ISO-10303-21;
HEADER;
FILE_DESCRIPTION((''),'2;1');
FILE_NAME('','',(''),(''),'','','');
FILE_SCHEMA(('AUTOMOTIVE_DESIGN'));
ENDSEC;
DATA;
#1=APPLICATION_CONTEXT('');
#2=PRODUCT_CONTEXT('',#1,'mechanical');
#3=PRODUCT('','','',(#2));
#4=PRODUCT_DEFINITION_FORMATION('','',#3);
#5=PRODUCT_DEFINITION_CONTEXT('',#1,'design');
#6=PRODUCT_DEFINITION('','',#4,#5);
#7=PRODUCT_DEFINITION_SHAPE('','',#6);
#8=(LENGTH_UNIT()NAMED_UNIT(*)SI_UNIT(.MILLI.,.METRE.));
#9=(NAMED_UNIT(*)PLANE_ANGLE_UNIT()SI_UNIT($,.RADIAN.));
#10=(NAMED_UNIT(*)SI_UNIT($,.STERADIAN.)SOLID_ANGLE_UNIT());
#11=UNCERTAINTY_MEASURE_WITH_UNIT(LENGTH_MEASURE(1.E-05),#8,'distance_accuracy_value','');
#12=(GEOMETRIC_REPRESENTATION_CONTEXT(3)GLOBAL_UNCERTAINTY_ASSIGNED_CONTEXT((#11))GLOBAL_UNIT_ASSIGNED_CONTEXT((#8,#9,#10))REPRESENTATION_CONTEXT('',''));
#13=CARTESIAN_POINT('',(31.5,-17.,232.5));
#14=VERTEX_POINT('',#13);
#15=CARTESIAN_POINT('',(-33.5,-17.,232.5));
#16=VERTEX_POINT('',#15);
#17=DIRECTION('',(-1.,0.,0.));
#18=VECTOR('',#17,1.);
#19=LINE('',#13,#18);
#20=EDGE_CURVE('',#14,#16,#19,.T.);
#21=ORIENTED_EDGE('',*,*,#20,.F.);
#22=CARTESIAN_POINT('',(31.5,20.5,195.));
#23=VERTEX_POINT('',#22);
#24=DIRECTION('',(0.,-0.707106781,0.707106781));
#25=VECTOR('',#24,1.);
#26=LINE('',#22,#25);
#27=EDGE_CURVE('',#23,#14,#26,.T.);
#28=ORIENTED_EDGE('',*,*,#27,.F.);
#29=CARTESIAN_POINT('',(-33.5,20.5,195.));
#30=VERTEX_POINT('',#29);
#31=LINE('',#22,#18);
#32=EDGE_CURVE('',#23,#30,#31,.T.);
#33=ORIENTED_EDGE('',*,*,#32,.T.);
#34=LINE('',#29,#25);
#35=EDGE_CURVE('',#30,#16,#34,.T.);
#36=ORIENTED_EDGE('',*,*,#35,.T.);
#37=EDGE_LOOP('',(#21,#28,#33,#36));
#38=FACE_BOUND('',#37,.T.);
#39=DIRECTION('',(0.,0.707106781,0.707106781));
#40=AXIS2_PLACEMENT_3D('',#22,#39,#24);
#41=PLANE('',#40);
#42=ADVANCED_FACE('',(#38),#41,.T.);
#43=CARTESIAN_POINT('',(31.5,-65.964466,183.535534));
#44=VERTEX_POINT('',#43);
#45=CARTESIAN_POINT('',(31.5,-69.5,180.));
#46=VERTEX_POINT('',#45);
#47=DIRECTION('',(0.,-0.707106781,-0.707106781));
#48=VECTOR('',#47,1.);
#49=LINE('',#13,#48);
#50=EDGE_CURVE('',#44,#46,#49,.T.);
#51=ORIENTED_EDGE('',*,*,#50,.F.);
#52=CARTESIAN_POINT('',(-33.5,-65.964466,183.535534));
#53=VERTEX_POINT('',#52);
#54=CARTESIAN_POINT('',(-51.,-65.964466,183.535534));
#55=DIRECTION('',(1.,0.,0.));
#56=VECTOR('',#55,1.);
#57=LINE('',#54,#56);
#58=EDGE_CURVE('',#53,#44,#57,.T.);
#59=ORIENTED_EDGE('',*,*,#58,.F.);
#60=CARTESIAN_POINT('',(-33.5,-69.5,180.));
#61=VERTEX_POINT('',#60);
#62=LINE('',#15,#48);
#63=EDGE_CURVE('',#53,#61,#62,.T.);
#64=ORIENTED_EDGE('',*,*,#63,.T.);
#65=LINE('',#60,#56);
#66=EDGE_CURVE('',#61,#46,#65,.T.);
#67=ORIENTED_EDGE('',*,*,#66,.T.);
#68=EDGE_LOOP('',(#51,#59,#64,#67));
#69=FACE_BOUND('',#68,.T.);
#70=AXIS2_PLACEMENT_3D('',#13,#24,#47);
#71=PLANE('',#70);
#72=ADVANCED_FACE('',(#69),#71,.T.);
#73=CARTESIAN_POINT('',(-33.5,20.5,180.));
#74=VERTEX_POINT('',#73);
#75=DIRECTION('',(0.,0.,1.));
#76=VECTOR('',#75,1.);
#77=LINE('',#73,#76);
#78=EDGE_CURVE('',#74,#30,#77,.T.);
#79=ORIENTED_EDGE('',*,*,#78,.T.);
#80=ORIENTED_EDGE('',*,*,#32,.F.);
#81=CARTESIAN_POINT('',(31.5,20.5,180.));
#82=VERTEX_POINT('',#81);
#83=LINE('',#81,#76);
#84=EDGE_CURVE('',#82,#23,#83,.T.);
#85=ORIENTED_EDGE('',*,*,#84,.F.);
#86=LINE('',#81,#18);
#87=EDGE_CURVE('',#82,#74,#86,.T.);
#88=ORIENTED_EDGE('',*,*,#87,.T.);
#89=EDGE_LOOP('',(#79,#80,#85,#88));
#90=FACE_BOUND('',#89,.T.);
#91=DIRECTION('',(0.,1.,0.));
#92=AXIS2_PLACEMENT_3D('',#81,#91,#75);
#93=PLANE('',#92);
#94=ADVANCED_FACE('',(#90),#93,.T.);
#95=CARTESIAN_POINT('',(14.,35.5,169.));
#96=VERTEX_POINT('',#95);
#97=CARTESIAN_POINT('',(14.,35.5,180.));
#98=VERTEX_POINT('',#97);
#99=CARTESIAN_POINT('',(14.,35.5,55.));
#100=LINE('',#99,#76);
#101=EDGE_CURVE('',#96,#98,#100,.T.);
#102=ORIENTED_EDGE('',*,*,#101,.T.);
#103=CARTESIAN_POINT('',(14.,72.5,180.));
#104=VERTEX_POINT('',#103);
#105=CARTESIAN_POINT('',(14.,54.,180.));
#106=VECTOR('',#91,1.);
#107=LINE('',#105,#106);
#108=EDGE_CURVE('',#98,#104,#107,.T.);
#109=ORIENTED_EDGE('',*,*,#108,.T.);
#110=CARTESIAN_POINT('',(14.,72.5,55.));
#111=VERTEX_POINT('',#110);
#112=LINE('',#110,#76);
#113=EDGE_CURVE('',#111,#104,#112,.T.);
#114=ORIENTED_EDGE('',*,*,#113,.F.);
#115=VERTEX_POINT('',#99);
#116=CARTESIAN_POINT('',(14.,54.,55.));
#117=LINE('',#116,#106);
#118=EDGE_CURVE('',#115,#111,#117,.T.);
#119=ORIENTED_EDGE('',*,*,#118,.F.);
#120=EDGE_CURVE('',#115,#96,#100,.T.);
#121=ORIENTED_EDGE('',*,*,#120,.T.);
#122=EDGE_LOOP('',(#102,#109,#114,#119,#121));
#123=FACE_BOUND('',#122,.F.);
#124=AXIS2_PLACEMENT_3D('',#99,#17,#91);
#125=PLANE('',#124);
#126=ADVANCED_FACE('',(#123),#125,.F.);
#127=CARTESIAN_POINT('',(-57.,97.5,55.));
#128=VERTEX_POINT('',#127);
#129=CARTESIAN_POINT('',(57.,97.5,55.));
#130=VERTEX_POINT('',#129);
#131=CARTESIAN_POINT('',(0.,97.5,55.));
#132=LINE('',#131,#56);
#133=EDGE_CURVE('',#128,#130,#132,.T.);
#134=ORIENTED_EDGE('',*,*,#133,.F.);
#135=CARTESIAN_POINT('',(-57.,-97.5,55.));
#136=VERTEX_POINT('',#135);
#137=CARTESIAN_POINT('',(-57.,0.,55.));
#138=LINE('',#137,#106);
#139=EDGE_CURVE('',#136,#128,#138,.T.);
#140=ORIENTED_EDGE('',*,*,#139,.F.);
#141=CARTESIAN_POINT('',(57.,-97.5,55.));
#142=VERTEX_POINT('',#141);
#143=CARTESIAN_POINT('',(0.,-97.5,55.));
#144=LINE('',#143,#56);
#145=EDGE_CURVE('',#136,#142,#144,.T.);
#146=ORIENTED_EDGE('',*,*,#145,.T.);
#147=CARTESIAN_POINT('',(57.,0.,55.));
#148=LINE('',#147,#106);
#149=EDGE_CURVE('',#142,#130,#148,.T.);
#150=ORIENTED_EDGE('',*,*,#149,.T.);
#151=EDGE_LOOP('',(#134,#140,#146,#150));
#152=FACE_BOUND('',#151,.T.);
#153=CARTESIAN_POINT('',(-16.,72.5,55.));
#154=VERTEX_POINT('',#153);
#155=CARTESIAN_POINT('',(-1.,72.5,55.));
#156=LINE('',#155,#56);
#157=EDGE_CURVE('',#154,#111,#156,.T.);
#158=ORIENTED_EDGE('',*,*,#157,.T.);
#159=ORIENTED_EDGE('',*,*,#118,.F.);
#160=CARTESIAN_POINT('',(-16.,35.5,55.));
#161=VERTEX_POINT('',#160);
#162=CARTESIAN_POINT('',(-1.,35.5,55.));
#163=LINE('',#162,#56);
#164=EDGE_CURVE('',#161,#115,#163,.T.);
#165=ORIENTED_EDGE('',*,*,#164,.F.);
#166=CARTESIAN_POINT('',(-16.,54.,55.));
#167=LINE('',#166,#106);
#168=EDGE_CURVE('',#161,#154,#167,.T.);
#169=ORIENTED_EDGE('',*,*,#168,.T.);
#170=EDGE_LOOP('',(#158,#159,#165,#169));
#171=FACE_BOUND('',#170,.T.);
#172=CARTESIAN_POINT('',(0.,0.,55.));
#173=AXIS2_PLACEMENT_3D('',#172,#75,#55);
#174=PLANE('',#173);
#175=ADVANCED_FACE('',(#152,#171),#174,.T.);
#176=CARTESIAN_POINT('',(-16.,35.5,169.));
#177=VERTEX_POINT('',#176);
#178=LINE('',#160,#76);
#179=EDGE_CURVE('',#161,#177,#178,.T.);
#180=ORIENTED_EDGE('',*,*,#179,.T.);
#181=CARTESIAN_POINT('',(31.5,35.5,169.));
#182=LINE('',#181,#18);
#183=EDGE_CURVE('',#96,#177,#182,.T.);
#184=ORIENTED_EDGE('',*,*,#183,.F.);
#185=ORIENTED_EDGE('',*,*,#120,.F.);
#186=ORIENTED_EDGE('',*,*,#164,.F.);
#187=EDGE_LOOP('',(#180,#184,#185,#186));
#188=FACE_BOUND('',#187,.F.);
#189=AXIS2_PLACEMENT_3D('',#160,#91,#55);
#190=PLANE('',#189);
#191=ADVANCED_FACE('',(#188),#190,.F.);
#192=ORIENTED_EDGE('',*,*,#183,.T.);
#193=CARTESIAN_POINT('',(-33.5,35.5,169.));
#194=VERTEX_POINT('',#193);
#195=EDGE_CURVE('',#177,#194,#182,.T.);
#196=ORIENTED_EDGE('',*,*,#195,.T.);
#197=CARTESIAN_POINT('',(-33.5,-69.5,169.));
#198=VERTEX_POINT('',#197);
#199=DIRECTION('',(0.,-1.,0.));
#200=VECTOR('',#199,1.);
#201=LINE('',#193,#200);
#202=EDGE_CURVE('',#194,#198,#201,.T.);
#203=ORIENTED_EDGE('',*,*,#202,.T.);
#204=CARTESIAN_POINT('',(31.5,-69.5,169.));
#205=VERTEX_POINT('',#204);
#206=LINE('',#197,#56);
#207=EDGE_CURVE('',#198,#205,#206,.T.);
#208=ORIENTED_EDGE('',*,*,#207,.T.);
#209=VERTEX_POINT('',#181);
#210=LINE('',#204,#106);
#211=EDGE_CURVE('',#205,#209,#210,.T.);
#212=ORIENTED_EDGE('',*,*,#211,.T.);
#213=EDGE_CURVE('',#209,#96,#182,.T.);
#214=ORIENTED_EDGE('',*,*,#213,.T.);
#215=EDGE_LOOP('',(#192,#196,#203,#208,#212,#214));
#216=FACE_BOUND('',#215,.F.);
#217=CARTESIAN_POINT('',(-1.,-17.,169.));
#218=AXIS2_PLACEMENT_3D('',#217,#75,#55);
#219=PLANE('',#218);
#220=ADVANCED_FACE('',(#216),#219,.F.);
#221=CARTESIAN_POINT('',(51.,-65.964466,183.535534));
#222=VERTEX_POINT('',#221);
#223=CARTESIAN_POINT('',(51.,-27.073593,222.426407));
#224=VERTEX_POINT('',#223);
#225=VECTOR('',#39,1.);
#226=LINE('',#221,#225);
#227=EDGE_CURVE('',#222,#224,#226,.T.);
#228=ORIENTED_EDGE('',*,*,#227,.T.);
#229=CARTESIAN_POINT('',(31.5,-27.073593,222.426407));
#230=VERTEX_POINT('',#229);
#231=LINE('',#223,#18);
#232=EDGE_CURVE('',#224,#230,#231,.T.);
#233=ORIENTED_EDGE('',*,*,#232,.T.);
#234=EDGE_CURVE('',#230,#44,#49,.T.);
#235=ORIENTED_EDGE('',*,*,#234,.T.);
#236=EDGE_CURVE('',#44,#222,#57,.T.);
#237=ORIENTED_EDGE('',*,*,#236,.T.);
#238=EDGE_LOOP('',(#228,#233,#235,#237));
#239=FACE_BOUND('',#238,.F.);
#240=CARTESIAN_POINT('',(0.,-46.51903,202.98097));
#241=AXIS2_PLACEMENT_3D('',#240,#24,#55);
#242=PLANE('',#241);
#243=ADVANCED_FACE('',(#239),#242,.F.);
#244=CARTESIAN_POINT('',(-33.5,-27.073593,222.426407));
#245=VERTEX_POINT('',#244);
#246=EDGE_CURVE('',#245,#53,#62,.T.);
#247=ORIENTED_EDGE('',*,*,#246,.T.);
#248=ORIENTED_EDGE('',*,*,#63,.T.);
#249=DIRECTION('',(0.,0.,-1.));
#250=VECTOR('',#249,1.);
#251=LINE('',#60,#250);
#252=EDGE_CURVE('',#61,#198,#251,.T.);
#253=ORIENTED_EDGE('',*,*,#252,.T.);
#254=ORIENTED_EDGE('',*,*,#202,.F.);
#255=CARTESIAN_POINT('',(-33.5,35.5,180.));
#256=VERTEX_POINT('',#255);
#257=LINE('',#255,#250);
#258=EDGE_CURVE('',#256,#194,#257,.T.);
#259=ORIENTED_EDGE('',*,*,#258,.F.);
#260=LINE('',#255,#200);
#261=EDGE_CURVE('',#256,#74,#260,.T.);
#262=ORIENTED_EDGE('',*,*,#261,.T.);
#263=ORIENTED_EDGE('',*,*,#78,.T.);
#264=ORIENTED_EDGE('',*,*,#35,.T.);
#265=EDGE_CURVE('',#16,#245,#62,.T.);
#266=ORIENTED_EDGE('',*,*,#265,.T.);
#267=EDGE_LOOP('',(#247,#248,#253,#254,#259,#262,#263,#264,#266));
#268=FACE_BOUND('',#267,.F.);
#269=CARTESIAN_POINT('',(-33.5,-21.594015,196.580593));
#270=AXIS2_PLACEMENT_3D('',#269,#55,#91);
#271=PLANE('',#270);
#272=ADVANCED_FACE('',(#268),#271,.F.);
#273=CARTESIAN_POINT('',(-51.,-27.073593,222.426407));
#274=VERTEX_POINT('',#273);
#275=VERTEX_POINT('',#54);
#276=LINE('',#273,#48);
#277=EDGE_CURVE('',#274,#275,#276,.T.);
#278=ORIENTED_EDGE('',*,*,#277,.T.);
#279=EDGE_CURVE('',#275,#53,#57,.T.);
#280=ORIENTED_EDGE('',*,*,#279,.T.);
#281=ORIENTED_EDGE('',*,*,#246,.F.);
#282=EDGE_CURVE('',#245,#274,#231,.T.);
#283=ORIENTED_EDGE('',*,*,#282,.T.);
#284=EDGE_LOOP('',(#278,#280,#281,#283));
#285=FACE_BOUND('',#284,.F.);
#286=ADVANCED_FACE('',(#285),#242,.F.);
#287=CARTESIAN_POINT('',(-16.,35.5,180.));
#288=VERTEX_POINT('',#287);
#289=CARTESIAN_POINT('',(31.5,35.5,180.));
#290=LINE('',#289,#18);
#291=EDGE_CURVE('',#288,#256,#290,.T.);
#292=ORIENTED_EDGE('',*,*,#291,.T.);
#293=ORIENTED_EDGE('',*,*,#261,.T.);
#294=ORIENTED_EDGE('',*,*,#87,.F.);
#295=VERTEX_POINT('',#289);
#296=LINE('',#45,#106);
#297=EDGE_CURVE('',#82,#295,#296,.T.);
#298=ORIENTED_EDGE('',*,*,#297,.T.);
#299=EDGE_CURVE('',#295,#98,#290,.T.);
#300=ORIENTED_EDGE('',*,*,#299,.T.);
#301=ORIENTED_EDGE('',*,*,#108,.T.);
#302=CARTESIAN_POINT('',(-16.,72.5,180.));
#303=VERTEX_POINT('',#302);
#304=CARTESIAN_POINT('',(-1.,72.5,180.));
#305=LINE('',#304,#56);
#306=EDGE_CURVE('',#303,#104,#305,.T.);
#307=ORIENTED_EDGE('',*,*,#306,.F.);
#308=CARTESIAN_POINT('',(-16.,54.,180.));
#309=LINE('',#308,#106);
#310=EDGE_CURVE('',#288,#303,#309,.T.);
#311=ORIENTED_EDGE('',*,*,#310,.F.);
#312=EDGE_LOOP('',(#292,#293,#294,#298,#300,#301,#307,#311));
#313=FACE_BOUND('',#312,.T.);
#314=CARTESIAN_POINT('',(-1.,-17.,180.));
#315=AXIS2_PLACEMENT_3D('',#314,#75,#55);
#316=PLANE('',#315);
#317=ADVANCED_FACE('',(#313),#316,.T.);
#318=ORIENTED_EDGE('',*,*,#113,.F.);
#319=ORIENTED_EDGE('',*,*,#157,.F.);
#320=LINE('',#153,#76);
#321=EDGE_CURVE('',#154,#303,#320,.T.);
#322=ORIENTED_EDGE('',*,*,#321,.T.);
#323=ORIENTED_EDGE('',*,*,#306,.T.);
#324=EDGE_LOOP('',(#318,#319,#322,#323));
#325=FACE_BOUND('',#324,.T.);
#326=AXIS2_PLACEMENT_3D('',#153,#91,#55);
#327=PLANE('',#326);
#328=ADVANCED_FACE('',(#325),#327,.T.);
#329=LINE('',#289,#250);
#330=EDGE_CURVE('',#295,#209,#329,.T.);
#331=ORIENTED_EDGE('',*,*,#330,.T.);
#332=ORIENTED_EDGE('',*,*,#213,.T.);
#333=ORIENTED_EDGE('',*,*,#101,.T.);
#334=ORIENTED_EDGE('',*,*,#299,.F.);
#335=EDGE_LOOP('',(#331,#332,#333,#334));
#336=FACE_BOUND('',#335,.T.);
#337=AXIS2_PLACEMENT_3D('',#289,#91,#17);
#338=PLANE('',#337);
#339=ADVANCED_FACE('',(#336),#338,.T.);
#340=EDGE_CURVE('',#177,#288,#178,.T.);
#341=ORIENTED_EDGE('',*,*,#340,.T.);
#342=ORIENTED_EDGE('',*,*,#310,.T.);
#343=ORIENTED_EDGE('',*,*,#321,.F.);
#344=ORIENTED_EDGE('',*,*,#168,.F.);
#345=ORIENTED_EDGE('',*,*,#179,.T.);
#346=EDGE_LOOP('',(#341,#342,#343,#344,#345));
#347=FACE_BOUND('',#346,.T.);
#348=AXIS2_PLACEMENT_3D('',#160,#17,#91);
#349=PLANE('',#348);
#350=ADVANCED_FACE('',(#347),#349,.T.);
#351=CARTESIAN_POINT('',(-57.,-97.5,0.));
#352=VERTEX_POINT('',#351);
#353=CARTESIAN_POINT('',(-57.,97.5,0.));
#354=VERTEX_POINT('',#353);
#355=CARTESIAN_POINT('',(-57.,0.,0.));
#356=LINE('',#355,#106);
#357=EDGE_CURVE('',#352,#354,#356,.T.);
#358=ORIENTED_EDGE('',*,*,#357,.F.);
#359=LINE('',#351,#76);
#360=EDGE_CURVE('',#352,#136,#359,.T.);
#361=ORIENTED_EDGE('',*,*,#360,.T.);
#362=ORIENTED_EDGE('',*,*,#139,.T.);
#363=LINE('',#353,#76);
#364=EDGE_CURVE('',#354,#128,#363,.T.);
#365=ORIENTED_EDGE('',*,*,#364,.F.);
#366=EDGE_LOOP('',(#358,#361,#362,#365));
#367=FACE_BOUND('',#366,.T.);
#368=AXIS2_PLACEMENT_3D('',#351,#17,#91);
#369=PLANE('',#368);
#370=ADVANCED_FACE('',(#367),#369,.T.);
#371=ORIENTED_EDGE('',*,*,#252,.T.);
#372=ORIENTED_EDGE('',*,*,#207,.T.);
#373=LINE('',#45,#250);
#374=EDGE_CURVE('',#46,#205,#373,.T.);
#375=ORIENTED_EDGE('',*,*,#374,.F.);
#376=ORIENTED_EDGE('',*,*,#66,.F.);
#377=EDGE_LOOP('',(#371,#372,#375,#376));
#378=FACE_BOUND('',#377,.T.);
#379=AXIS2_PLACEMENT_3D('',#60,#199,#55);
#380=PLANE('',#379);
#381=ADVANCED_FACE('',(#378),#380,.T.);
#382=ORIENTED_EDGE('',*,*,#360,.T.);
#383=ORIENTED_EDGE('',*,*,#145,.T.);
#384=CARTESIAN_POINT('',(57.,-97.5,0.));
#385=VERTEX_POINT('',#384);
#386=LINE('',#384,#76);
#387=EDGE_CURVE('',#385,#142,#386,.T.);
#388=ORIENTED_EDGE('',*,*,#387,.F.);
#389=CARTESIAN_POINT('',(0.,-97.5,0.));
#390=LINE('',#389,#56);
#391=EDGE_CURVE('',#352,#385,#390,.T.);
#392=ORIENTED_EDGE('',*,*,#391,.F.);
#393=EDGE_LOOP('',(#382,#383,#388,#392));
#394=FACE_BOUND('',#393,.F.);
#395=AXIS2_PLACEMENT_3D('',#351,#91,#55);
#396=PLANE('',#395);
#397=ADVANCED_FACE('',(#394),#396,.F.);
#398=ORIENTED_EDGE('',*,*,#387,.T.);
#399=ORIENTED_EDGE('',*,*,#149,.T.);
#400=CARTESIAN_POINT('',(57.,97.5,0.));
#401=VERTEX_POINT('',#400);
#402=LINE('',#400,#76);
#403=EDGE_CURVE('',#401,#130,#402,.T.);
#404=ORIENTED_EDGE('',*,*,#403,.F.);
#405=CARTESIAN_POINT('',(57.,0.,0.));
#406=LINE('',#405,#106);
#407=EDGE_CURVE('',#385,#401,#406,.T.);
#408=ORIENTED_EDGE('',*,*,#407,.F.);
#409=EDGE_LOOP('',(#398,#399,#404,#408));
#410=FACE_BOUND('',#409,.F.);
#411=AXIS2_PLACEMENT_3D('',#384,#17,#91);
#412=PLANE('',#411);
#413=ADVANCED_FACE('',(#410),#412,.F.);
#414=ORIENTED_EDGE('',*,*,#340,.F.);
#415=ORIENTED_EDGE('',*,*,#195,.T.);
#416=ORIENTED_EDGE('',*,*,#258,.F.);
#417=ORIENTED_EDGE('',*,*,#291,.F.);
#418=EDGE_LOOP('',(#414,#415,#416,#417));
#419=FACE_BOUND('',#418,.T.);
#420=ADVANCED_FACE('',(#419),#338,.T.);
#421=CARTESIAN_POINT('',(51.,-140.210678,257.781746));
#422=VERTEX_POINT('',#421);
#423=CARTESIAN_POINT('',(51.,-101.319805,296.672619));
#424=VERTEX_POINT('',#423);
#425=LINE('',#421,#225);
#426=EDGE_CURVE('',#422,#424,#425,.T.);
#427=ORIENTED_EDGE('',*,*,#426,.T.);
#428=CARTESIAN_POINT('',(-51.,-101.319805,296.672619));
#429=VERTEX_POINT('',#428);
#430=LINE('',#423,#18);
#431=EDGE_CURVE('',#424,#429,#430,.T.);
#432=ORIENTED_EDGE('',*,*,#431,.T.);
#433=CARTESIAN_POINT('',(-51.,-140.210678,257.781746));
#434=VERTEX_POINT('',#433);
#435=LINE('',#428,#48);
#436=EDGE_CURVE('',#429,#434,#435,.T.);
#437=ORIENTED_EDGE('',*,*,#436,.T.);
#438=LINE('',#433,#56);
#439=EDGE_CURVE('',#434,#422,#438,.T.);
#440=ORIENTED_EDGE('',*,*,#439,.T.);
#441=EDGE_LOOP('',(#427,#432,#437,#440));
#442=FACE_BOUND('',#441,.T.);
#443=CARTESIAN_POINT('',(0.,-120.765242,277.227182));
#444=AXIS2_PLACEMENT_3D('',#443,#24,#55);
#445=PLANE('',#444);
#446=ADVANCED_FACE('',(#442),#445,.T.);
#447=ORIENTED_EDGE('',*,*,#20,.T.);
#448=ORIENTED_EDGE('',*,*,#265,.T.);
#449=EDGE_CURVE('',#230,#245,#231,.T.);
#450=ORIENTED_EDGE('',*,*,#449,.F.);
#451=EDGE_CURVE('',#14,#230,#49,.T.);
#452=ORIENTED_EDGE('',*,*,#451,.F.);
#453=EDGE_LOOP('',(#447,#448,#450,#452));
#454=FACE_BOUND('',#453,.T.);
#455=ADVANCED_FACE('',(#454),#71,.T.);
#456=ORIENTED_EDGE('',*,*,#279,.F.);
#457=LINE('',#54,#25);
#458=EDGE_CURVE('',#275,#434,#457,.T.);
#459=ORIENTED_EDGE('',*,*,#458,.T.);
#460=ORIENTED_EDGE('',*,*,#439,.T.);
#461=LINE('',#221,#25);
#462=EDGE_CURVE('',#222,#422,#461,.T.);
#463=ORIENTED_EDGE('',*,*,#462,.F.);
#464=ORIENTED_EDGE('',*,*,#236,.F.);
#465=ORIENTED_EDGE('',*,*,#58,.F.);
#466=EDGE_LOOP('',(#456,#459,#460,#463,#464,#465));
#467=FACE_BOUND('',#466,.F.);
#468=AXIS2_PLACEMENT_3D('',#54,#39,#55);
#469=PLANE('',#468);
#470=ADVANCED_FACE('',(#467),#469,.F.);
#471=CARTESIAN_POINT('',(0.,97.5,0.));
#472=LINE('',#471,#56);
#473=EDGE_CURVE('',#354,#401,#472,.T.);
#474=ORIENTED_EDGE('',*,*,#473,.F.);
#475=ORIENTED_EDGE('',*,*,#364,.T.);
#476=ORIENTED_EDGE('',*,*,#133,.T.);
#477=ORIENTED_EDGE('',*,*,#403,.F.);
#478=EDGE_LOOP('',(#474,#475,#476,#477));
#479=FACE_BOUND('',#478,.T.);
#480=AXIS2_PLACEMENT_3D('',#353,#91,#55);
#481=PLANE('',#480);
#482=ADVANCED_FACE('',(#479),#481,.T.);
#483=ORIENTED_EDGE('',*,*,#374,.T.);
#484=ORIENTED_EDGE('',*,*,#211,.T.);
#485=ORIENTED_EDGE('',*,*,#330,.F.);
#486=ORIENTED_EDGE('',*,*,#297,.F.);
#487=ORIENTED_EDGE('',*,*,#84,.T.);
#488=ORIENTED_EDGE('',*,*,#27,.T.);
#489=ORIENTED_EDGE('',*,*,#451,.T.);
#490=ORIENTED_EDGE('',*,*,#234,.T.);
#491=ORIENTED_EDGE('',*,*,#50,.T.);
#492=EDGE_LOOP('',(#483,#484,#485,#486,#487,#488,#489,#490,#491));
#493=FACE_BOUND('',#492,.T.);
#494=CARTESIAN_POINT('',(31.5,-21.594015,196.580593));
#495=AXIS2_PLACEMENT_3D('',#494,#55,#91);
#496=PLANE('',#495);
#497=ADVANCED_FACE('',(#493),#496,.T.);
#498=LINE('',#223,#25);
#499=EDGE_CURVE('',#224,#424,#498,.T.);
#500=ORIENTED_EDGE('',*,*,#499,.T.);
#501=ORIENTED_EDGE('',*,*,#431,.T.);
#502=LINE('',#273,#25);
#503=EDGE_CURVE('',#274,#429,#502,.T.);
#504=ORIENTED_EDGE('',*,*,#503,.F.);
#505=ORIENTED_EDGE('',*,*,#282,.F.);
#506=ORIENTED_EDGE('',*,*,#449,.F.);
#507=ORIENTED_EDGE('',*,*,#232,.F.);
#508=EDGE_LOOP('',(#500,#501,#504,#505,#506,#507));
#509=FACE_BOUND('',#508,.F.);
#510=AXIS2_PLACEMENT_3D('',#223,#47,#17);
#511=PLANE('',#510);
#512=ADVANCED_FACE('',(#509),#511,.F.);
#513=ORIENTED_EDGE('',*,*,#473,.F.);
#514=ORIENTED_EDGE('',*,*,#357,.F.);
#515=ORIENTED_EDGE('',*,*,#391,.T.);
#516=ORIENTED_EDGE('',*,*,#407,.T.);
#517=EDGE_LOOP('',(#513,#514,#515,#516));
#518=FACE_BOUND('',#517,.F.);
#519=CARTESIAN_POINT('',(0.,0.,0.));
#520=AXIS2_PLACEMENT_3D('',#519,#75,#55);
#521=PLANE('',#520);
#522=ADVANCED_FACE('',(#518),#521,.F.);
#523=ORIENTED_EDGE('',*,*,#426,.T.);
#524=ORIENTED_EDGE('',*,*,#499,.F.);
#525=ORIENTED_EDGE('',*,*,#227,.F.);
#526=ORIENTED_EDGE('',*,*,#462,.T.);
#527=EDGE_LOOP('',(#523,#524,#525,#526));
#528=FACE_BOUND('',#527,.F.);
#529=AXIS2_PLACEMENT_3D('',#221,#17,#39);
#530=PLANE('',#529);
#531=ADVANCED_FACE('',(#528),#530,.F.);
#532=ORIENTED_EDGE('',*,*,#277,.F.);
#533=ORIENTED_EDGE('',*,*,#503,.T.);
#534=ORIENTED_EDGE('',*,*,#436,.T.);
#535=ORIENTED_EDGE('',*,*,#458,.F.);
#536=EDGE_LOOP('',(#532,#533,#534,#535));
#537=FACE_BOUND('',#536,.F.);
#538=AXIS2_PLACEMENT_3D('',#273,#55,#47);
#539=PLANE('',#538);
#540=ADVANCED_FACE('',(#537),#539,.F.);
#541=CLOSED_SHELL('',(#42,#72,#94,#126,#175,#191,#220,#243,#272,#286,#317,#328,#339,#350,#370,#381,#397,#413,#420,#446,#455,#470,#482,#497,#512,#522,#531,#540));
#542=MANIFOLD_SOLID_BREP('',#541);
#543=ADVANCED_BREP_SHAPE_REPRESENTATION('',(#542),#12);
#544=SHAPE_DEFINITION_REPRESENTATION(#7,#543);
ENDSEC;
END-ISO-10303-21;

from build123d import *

# Parameters (mm, degrees)
F0_W     = 114
F0_H     = 195
F1_DEPTH = 55
F2_W     = 30
F2_H     = 37
F3_DEPTH = 125
F5_DEPTH = 11
F7_DEPTH = 65
F9_DEPTH = 105


with BuildPart() as f1:
    # F0 (on Top) → F1 (new body)
    with BuildSketch(Plane.XY):
        Rectangle(F0_W, F0_H)
    extrude(amount=F1_DEPTH)

    # F2 (on face) → F3 (join)
    with BuildSketch(Plane.XY.offset(55)):
        with Locations((-1, 54)):
            Rectangle(F2_W, F2_H)
    extrude(amount=F3_DEPTH)

    # F4 (on face) → F5 (join)
    with BuildSketch(Plane.XY.offset(180)):
        Polygon((14, 35.5), (-1, 35.5), (-16, 35.5), (-33.5, 35.5), (-33.5, -69.5), (-1, -69.5), (31.5, -69.5), (31.5, 35.5), align=None)
    extrude(amount=-F5_DEPTH)

    # F6 (on face) → F7 (join, through all)
    with BuildSketch(Plane.YZ.offset(31.5)):
        Polygon((-17, 232.5), (-69.5, 180), (20.5, 180), (20.5, 195), align=None)
    extrude(amount=-F7_DEPTH)

    # F8 (on face) → F9 (join)
    with BuildSketch(Plane(origin=(0, -124.75, 124.75), x_dir=(1, 0, 0), z_dir=(0, -0.707107, 0.707107))):
        Polygon((-51, 83.135299), (-33.5, 83.135299), (0, 83.135299), (33.5, 83.135299), (51, 83.135299), (51, 138.135299), (0, 138.135299), (-51, 138.135299), align=None)
    extrude(amount=F9_DEPTH)


solid = f1.part
